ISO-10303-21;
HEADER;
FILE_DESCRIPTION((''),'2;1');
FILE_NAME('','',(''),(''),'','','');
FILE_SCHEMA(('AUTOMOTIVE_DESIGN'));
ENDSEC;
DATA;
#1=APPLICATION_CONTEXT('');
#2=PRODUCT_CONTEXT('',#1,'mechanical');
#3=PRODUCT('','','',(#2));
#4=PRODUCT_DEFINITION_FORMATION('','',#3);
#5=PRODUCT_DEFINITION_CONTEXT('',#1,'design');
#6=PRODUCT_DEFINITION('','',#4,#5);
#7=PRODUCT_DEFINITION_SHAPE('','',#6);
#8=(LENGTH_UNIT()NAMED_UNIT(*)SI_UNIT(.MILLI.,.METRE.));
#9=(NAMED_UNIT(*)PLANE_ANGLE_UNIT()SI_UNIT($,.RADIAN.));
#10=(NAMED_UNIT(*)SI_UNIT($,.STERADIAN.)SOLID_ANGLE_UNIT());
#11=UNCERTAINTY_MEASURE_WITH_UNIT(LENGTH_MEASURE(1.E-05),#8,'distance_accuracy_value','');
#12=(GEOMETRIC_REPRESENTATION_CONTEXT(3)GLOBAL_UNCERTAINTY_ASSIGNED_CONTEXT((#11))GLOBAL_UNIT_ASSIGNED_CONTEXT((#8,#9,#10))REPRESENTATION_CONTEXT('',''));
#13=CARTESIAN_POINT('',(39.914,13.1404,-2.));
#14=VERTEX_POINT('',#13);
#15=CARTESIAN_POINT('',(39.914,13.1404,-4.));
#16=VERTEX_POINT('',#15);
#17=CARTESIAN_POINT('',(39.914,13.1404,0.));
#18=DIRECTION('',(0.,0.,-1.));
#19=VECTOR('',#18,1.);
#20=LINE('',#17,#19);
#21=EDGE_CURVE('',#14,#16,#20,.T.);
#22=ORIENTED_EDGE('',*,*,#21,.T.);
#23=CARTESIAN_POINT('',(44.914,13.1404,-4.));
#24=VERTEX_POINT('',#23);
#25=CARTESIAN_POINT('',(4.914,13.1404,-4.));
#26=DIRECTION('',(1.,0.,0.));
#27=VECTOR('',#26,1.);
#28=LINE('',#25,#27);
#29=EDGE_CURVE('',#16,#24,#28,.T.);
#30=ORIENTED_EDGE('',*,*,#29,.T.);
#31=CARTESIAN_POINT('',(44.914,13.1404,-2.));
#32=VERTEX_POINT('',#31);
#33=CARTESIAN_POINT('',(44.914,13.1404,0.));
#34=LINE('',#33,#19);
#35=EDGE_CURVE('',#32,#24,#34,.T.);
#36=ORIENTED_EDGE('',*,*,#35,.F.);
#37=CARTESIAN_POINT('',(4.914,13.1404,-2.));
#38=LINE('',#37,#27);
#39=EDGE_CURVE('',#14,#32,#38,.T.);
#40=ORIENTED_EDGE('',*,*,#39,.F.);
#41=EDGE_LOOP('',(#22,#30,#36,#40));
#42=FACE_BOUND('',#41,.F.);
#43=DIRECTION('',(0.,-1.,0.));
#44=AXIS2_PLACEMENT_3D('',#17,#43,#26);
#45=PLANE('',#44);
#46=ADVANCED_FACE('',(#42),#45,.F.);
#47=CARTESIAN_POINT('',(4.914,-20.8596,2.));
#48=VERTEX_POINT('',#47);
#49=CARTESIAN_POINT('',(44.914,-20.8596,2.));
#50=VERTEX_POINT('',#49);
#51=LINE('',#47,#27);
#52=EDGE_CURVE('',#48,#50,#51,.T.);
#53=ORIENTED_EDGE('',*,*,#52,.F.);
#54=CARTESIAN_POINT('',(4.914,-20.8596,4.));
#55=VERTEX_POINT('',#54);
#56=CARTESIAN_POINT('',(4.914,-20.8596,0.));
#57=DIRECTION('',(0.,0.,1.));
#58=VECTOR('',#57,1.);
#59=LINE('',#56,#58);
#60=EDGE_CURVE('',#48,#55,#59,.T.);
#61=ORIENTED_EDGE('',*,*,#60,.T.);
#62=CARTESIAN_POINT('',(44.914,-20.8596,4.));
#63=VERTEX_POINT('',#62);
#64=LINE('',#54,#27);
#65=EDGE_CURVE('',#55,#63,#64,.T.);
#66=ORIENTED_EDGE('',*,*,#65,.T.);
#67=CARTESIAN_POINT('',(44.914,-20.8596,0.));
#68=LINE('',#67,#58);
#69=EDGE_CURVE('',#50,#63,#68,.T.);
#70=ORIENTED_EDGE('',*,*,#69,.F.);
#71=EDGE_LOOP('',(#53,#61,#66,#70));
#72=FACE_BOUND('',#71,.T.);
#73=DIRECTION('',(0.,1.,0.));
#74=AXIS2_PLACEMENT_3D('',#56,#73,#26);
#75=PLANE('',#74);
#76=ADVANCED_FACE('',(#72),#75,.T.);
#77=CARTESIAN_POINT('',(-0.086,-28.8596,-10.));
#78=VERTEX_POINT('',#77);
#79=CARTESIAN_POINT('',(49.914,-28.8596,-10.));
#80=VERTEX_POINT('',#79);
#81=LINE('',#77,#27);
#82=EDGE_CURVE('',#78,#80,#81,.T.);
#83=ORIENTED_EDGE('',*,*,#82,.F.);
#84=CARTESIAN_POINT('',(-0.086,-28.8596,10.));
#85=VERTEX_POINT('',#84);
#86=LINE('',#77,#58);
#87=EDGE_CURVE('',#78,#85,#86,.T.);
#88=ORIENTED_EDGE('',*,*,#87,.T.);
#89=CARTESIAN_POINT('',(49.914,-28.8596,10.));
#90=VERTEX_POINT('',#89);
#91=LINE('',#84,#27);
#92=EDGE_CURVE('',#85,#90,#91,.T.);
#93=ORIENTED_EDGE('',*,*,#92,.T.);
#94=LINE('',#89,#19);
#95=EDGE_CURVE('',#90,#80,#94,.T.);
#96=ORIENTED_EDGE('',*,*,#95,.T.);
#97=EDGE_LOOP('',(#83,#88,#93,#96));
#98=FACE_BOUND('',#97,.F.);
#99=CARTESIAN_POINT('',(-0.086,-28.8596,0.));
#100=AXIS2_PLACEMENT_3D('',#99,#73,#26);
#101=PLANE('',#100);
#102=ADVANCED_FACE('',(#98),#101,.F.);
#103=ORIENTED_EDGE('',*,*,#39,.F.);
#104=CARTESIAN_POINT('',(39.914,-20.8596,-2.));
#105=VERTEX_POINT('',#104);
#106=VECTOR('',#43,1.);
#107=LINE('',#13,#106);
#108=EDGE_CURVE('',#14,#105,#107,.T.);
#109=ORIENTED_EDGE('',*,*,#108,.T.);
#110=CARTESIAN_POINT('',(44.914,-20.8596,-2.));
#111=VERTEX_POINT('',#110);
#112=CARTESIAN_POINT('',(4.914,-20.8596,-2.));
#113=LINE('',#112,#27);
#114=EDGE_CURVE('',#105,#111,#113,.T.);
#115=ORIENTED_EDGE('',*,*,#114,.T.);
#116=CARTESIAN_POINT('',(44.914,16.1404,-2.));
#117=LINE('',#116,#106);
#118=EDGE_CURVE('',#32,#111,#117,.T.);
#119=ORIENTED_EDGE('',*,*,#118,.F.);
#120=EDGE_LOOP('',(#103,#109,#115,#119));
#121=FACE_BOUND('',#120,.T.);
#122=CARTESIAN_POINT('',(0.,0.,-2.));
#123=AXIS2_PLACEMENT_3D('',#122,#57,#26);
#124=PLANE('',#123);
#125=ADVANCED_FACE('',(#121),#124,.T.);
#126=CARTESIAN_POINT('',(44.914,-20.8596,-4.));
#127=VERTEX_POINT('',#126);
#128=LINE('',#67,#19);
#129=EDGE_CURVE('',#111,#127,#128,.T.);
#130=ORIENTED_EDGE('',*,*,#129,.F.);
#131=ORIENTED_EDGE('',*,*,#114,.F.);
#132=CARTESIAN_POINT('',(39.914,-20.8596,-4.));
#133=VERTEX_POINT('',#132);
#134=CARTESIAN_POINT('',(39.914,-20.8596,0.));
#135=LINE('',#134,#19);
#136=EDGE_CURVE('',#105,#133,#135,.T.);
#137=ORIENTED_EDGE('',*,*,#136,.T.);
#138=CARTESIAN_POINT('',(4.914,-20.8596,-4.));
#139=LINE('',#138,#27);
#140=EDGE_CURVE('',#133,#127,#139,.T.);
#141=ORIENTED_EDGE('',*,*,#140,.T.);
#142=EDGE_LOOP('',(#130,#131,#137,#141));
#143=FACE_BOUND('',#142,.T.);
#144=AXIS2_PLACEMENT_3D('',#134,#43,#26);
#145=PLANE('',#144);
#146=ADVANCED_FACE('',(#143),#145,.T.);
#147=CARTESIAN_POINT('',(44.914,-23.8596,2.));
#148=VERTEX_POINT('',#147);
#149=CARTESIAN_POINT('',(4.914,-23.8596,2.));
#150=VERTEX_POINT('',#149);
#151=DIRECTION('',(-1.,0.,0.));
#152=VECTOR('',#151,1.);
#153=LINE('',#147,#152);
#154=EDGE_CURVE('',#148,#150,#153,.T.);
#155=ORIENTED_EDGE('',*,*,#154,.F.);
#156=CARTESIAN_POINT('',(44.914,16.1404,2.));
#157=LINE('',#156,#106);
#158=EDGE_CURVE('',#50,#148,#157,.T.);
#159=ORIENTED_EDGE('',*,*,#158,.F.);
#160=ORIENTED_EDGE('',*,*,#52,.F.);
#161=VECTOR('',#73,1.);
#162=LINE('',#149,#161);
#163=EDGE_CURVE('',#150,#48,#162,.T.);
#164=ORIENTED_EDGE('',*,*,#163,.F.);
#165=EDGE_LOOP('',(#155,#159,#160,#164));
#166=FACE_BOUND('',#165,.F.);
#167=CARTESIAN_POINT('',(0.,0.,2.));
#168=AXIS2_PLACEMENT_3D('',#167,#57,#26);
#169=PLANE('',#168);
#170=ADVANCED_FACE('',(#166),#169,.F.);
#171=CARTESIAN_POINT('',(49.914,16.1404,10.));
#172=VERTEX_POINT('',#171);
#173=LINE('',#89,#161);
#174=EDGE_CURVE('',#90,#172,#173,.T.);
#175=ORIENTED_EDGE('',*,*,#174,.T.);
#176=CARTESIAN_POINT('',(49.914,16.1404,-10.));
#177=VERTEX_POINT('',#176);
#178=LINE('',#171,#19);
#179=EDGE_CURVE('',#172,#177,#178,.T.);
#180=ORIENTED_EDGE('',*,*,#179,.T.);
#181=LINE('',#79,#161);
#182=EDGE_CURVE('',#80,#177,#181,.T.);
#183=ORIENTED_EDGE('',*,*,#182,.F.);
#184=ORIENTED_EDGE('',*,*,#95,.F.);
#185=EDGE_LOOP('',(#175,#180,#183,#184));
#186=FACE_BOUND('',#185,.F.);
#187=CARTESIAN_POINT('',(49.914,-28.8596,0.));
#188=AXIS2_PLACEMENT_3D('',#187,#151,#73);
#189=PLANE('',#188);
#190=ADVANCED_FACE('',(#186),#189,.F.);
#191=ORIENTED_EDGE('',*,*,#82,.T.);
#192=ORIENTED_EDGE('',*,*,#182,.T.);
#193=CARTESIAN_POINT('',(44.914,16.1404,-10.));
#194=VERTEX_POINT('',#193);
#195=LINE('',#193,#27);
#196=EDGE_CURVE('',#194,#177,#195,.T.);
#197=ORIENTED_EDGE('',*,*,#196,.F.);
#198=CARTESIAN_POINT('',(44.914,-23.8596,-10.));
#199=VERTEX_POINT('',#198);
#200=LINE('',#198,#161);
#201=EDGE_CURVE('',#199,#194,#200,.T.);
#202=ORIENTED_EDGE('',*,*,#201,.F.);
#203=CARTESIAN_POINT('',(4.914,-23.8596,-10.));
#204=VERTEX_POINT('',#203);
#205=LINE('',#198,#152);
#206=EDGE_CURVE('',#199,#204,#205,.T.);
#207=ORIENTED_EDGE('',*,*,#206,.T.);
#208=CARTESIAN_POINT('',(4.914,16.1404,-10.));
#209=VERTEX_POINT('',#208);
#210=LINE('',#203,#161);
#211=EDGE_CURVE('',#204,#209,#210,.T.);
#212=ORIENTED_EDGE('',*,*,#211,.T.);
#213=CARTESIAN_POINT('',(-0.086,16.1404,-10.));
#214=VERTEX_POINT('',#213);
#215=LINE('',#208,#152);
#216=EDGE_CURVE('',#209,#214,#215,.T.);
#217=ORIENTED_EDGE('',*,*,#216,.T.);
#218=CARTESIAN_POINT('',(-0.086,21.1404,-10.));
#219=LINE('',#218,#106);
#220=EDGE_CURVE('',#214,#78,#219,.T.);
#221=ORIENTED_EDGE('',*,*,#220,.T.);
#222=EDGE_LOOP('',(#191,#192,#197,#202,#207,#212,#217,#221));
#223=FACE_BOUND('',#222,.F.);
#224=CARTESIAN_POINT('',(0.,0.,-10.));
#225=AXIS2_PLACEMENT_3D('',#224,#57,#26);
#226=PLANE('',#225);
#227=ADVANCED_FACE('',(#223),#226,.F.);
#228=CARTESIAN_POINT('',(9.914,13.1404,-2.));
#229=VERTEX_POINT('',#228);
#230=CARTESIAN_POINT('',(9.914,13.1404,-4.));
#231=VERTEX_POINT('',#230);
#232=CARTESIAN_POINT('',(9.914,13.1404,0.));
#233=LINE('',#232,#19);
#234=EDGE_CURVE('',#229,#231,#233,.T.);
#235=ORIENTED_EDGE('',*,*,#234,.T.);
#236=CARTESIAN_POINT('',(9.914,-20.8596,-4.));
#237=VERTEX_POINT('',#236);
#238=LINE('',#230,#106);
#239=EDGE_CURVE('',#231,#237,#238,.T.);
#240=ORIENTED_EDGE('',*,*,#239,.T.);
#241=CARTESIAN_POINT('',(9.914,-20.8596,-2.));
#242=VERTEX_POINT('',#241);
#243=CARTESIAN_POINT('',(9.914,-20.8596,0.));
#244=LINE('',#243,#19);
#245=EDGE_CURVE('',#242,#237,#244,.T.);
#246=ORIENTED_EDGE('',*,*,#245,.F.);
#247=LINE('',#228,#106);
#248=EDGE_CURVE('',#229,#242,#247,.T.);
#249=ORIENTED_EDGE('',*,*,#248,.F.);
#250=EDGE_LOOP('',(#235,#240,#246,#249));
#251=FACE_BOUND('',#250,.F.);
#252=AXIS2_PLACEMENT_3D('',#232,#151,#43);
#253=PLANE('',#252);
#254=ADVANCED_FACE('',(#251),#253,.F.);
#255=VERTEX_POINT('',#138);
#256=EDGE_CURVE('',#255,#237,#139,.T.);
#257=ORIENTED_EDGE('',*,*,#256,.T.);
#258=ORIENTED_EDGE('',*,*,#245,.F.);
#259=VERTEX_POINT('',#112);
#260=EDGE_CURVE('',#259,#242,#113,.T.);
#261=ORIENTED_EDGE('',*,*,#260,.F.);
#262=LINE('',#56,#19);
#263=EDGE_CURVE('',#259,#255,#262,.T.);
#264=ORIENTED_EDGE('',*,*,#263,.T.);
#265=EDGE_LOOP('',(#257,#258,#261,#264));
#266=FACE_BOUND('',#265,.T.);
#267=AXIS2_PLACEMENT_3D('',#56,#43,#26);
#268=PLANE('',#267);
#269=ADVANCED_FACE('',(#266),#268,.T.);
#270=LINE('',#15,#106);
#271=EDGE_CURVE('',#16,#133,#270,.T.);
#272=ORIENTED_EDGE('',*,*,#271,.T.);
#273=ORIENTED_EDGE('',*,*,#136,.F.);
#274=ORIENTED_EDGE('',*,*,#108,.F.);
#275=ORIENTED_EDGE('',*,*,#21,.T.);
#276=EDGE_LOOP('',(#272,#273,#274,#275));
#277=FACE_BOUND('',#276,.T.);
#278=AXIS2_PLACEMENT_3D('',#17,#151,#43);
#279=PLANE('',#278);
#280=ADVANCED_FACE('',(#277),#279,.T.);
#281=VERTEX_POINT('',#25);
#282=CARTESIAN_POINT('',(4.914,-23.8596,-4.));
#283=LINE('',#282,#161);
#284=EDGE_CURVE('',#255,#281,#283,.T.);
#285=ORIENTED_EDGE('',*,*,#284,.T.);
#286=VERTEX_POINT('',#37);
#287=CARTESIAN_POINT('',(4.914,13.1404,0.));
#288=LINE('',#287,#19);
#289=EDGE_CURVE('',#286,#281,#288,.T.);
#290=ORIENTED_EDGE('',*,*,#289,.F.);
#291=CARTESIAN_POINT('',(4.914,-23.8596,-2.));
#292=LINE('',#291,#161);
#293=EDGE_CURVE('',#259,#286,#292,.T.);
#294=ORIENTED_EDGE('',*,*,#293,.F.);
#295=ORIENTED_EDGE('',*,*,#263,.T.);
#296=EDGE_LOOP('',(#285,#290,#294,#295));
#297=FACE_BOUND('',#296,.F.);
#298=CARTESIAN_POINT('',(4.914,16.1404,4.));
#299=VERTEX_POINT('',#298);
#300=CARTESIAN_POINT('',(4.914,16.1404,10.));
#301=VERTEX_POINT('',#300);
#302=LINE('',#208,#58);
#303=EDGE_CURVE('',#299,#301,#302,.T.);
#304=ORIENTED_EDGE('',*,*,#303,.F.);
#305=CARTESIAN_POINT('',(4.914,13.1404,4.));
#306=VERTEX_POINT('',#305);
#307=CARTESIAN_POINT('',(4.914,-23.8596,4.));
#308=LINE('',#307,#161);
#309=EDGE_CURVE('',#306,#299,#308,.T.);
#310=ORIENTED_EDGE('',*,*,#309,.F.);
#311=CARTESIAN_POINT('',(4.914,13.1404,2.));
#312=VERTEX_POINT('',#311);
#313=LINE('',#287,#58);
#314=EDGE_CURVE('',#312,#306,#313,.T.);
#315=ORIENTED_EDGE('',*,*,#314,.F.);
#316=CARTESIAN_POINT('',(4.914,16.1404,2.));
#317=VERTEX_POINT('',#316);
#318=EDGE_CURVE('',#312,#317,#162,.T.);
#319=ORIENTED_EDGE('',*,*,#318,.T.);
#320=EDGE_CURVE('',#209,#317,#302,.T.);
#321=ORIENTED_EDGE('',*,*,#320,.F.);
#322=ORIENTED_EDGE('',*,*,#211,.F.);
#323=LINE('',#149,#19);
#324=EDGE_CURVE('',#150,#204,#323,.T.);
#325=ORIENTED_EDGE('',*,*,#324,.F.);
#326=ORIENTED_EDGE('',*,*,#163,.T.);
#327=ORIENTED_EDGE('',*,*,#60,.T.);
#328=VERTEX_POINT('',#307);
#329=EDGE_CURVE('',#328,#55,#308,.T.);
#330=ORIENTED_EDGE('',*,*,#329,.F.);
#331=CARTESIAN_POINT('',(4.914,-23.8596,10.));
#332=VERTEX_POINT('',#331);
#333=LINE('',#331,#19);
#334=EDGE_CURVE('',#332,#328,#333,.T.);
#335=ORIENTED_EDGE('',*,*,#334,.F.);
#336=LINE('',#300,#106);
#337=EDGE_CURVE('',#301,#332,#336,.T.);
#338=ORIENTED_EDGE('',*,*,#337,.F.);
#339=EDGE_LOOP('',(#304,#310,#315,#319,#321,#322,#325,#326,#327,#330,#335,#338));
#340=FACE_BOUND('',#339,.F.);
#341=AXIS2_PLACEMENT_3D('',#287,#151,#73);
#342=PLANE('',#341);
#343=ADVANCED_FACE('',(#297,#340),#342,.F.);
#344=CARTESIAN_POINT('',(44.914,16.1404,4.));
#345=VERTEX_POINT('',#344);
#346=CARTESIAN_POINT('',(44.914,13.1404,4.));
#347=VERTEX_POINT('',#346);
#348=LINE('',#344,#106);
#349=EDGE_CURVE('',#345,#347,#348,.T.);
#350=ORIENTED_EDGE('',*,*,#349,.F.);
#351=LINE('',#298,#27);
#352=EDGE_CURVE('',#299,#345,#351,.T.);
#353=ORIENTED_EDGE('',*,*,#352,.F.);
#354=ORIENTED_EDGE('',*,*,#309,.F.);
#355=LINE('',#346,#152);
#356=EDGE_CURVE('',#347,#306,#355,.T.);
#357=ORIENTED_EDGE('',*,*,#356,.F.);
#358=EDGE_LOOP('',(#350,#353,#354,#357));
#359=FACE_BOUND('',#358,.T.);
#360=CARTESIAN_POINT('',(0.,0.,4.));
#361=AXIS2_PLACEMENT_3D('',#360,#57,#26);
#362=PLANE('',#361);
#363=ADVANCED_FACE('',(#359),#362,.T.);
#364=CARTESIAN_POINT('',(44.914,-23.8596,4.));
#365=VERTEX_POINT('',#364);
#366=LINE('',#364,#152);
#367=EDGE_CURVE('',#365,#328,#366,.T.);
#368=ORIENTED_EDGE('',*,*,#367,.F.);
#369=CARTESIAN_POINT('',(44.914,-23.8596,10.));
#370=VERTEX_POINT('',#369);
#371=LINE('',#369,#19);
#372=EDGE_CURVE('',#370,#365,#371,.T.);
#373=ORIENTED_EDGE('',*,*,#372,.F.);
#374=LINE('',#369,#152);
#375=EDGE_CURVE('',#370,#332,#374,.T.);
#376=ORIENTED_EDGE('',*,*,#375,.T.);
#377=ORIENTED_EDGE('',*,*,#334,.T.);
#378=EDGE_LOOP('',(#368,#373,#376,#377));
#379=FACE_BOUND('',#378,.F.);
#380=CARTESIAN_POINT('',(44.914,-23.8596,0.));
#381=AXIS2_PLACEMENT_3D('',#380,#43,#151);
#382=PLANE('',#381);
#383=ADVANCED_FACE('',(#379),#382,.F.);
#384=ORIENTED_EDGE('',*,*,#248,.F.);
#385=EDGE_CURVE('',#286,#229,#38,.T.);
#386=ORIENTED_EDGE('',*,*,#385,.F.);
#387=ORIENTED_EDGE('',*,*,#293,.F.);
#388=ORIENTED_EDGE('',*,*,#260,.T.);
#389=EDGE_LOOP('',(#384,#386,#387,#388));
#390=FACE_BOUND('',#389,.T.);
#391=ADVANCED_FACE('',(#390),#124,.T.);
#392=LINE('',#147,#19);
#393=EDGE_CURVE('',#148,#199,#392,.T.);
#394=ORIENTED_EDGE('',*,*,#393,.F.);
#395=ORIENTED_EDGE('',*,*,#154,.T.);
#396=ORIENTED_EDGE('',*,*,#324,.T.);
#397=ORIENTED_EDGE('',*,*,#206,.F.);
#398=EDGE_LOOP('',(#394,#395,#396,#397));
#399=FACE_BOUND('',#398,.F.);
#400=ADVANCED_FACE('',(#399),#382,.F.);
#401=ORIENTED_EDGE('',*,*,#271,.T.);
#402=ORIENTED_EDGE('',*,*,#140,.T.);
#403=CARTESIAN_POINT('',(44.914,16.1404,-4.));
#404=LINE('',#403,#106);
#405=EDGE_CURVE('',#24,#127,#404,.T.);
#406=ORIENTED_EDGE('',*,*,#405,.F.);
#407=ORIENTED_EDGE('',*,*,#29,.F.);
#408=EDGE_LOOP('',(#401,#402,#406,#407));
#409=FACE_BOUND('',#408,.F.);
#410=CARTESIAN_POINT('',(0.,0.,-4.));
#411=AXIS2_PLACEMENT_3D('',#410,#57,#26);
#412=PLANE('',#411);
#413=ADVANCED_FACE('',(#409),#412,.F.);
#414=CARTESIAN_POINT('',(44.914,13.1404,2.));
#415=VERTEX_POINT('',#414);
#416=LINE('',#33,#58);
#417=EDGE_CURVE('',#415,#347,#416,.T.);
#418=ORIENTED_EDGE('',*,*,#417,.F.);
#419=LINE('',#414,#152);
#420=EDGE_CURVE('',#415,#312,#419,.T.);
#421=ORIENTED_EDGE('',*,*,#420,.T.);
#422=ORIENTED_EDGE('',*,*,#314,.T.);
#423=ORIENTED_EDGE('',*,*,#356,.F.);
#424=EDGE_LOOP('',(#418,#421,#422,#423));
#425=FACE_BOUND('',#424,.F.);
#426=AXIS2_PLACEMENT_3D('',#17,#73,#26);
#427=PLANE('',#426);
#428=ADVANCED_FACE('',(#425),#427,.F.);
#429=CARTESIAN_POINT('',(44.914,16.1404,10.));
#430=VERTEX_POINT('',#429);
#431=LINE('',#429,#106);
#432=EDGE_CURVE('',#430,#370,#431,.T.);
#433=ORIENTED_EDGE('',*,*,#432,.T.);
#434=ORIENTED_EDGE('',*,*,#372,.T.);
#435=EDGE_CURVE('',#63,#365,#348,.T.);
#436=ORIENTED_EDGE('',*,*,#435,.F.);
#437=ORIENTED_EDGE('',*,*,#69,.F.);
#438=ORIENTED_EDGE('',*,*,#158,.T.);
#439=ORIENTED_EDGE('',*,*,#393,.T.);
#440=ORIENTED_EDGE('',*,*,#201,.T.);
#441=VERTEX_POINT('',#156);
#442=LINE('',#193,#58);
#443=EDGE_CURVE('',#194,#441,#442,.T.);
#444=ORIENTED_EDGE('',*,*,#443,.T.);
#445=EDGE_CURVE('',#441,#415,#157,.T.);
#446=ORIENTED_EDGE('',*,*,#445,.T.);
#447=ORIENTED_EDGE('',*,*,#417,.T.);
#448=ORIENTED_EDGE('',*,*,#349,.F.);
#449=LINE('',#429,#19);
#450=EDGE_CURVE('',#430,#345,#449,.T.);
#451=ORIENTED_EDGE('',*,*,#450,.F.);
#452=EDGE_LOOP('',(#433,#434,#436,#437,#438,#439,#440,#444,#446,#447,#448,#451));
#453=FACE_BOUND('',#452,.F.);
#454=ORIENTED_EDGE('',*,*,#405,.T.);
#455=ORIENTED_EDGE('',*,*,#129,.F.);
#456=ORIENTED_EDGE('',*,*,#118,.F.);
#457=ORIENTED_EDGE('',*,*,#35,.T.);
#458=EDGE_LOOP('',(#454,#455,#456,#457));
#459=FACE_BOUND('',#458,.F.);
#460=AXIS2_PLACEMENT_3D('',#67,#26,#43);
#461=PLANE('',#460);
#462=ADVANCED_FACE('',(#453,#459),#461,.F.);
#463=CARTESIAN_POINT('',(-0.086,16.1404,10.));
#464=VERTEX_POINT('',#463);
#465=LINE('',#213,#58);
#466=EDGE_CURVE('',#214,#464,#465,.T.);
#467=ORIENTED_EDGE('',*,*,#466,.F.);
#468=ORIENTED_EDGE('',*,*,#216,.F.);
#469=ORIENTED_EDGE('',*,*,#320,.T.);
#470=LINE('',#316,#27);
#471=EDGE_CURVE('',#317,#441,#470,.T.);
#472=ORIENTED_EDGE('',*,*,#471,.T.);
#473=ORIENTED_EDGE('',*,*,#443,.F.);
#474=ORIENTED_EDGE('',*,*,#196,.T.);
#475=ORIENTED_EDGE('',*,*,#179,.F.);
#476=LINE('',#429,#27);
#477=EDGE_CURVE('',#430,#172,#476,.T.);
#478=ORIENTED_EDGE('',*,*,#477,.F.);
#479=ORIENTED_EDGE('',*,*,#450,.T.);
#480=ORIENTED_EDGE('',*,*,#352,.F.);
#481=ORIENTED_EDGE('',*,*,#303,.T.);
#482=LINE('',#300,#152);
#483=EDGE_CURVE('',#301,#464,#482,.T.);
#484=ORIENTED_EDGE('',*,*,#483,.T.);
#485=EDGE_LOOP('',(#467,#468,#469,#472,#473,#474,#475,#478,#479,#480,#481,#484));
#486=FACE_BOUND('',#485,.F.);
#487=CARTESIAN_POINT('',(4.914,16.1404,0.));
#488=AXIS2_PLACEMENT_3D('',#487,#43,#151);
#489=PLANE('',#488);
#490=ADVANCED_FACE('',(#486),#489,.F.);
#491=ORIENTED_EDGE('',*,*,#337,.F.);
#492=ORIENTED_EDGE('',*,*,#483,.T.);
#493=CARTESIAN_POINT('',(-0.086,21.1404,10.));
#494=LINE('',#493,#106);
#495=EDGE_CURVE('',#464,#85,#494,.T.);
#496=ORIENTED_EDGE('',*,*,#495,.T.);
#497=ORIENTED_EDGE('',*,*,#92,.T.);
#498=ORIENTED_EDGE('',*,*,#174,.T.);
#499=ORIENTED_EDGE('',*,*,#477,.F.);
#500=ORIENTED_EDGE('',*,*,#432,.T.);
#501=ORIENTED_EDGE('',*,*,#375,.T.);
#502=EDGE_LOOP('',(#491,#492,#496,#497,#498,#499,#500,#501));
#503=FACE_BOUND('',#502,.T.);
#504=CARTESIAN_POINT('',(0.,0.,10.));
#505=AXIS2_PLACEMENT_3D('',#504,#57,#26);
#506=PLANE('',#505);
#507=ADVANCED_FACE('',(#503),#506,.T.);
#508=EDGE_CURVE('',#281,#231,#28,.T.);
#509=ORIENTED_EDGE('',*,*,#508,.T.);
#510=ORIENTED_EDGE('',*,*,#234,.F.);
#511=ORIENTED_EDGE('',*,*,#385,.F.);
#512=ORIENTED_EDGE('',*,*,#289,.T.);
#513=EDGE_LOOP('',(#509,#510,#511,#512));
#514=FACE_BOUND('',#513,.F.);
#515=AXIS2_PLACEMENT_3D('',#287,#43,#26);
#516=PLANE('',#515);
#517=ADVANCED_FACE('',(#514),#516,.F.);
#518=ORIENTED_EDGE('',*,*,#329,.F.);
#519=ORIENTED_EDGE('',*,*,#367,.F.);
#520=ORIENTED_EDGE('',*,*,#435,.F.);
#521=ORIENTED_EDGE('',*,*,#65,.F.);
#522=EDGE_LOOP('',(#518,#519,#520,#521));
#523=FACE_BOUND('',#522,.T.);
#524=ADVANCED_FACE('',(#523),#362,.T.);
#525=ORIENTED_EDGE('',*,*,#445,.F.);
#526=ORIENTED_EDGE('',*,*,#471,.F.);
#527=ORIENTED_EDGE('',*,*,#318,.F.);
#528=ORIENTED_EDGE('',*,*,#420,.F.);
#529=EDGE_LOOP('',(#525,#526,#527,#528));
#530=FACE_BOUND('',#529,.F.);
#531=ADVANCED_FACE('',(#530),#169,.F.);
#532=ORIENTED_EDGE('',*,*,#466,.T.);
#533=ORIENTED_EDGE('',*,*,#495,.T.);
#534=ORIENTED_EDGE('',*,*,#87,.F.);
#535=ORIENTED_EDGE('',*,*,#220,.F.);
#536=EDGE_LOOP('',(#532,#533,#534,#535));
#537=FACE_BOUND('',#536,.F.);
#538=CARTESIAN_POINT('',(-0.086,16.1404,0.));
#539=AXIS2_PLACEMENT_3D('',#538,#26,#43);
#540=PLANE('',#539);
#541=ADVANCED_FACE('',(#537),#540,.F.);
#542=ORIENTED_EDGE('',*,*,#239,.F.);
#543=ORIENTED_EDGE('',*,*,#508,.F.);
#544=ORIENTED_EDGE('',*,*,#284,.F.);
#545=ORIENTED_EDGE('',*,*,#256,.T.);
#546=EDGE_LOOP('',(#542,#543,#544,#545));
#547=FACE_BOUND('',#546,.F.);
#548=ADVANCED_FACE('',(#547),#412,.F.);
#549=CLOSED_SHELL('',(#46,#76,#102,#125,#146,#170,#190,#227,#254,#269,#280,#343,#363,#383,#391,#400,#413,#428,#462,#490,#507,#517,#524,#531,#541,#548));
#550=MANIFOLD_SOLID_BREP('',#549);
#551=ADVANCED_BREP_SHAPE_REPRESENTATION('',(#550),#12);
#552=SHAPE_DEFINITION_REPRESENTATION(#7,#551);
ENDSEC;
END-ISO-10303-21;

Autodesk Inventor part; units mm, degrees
ref_plane "YZ Plane" through (0, 0, 0) normal (1, 0, 0) x (0, 1, 0)
ref_plane "XZ Plane" through (0, 0, 0) normal (0, 1, 0) x (-1, 0, 0)
ref_plane "XY Plane" through (0, 0, 0) normal (0, 0, 1) x (1, 0, 0)
sketch "Sketch1" plane through (0, 0, 0) normal (0, 0, 1) x (1, 0, 0)
  line L0 (4.914, 16.1404) -> (44.914, 16.1404)
  line L1 (44.914, 16.1404) -> (44.914, -23.8596)
  line L2 (44.914, -23.8596) -> (4.914, -23.8596)
  line L3 (4.914, -23.8596) -> (4.914, 16.1404)
  line L4 (49.914, 21.1404) -> (-0.086, 21.1404)
  line L5 (-0.086, 21.1404) -> (-0.086, -28.8596)
  line L6 (-0.086, -28.8596) -> (49.914, -28.8596)
  line L7 (49.914, -28.8596) -> (49.914, 21.1404)
  line L8 (4.914, 16.1404) -> (-0.086, 16.1404)
  line L9 (44.914, 16.1404) -> (49.914, 16.1404)
  line L10 (4.914, -20.8596) -> (44.914, -20.8596)
  line L11 (4.914, 13.1404) -> (44.914, 13.1404)
  line L12 (9.914, 13.1404) -> (9.914, -20.8596)
  line L13 (39.914, 13.1404) -> (39.914, -20.8596)
  point P0 (0, 0)
  dimension "d0" = 40
  dimension "d1" = 40
  dimension "d2" = 5
  dimension "d3" = 3
  dimension "d4" = 3
  dimension "d5" = 5
  dimension "d6" = 5
extrude "Extrusion1" add sketch "Sketch1" along normal mid plane 20 contours L3 L2 L1 L9 L7 L6 L5 L8
extrude "Extrusion2" add sketch "Sketch1" along normal blind 4 contours L0 L1 L11 L3 | L10 L1 L2 L3
extrude "Extrusion3" cut sketch "Sketch1" along normal blind 2 contours L0 L1 L11 L3 | L10 L1 L2 L3
extrude "Extrusion4" add sketch "Sketch1" against normal blind 4 contours L11 L12 L10 L3 | L1 L10 L13 L11
extrude "Extrusion5" cut sketch "Sketch1" against normal blind 2 contours L11 L12 L10 L3 | L1 L10 L13 L11
properties part number "Sensorroom"
